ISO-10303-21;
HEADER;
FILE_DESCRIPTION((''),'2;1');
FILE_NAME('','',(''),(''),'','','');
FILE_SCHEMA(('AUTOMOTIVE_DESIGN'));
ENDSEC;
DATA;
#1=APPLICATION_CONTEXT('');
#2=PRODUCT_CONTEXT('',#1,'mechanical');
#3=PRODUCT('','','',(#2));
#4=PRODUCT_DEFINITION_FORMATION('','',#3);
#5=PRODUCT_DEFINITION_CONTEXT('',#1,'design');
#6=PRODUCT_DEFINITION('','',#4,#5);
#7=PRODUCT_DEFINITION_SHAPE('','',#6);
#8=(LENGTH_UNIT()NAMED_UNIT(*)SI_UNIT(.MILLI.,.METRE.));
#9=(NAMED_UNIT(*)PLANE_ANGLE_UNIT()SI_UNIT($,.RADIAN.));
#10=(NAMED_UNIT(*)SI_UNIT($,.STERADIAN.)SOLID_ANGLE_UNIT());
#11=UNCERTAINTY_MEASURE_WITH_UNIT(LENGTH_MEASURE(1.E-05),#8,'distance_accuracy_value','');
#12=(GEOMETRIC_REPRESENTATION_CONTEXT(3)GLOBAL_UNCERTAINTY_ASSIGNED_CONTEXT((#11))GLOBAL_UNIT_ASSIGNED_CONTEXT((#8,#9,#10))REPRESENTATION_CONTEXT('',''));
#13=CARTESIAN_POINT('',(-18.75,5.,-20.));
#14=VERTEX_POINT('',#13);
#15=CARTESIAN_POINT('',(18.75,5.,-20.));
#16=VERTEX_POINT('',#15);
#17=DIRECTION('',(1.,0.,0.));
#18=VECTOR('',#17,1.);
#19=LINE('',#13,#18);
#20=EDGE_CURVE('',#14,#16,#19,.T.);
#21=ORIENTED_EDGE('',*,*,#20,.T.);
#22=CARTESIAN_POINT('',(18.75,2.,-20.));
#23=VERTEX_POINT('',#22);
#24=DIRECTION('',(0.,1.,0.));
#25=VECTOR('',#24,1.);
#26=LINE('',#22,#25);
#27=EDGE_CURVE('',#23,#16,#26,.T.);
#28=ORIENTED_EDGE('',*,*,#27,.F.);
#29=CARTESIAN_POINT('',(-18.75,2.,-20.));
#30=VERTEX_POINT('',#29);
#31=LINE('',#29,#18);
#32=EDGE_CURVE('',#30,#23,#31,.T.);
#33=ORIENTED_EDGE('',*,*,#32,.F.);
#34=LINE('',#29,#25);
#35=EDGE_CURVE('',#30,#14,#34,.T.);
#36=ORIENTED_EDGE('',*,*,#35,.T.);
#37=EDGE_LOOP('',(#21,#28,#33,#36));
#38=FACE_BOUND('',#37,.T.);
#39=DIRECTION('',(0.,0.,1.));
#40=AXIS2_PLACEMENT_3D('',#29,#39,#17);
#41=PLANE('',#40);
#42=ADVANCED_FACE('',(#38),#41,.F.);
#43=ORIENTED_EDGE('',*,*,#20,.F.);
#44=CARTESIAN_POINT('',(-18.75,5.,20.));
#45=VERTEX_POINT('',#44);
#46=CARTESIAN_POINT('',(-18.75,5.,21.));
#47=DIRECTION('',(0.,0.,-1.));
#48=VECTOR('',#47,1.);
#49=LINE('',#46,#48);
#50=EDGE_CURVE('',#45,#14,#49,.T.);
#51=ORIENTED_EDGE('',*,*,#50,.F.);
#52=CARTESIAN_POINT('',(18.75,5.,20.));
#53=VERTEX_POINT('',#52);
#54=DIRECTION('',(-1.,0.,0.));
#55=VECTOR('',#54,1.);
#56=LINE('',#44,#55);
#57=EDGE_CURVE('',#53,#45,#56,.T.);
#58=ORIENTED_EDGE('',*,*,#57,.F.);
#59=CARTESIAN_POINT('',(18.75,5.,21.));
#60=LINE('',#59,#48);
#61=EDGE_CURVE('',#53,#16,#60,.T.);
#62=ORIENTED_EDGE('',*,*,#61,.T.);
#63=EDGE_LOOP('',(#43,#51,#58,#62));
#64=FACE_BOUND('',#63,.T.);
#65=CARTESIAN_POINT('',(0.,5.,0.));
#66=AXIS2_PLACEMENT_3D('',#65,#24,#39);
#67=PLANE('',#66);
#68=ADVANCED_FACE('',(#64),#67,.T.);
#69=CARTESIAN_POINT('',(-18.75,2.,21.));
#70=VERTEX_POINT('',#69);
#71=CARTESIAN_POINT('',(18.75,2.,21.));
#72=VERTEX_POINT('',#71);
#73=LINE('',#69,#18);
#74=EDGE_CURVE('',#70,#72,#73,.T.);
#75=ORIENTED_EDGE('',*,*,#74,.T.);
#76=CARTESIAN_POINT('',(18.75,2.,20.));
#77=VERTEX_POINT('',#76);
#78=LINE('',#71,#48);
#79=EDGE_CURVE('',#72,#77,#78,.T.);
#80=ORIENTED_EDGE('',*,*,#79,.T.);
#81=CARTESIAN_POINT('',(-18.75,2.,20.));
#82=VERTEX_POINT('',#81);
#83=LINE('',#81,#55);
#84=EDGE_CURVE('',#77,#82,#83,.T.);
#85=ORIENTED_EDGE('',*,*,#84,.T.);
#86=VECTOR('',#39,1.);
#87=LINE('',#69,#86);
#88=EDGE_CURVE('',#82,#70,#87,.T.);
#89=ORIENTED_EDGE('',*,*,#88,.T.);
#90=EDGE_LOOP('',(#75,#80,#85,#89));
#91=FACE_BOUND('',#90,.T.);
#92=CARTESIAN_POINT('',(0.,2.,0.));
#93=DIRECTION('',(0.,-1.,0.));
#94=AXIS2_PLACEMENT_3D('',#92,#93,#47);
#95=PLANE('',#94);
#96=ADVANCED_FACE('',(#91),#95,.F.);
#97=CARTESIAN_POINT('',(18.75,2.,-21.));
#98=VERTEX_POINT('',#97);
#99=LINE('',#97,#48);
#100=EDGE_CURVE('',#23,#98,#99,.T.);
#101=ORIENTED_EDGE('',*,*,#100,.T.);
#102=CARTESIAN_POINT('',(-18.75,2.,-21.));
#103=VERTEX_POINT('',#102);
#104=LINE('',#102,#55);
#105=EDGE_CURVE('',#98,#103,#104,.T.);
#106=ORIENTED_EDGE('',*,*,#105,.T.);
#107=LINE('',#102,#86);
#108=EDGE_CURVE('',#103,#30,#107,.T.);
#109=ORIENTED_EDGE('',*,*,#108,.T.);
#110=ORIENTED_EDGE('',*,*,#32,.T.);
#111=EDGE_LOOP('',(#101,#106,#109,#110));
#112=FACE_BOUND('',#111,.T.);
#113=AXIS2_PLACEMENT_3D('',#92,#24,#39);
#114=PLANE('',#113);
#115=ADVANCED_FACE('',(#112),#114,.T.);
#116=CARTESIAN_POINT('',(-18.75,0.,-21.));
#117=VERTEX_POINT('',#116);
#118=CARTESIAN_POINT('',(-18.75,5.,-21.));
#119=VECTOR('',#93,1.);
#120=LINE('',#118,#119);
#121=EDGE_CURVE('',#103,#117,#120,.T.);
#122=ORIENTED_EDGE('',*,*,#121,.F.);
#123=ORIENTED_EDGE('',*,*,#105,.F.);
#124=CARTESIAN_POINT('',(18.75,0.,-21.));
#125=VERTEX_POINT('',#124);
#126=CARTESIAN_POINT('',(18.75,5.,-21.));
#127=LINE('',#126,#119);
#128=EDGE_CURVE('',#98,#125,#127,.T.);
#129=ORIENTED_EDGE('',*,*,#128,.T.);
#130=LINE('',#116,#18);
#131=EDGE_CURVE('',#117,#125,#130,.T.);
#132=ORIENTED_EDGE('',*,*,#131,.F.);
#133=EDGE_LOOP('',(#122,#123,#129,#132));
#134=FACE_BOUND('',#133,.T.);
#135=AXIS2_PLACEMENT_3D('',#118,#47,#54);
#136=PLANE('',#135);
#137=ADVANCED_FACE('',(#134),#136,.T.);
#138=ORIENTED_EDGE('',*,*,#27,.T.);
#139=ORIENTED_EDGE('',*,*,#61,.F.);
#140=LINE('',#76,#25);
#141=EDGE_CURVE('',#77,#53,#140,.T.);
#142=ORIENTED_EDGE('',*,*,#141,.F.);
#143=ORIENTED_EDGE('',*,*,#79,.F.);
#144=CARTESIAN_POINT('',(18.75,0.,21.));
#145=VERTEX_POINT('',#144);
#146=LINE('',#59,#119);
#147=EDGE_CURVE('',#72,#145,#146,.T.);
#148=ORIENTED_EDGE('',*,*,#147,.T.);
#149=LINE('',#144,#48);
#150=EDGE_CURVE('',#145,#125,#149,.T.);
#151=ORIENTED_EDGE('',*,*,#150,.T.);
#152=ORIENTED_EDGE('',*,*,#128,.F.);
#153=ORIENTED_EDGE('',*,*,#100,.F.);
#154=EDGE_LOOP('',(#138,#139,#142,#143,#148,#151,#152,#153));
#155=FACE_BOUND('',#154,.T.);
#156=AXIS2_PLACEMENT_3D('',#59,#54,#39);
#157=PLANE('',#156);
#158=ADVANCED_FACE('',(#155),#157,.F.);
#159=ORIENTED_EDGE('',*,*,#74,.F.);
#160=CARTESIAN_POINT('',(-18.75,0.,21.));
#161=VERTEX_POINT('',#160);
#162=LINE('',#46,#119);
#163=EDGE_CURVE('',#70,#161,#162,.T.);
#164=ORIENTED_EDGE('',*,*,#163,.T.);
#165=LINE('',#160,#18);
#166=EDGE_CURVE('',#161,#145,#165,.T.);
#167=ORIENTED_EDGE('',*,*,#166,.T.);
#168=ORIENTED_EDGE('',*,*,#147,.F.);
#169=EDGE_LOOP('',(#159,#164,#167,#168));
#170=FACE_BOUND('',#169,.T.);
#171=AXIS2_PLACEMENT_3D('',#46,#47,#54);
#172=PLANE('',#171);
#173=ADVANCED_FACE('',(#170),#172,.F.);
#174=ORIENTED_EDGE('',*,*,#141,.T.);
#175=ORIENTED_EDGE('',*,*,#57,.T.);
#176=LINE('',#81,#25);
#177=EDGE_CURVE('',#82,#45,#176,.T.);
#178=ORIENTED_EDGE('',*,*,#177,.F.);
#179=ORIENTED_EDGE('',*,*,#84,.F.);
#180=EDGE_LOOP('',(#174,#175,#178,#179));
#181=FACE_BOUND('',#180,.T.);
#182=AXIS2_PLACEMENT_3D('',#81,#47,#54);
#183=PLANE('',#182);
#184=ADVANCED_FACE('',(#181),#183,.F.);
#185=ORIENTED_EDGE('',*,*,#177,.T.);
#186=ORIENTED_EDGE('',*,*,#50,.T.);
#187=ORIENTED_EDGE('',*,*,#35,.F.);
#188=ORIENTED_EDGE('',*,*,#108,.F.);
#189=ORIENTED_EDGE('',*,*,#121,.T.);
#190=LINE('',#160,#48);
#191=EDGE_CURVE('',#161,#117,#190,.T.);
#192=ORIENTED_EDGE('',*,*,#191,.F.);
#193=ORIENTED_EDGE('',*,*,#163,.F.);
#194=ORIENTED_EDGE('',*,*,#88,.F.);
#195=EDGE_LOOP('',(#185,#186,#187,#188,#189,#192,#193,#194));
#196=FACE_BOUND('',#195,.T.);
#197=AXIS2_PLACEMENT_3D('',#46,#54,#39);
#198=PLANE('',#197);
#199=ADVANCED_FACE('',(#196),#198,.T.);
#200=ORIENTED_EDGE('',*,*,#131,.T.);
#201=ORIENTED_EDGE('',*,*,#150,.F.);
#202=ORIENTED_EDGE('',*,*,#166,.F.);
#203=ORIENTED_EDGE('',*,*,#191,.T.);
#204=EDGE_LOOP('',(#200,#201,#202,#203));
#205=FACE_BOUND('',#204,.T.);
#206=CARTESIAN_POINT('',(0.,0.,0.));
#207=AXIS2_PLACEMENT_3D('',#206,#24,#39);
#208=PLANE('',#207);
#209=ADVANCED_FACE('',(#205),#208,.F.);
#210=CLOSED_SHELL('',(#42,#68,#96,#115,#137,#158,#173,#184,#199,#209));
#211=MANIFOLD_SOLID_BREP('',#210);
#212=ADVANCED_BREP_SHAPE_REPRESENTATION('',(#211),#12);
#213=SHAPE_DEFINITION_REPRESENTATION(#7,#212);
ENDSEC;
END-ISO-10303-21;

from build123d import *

# Parameters (mm, degrees)
SKETCH1_W           = 37.5
SKETCH1_H           = 42
BOSS_EXTRUDE1_DEPTH = 5
SKETCH2_W           = 37.5
SKETCH2_H           = 1
CUT_EXTRUDE1_DEPTH  = 3
SKETCH3_W           = 37.5
SKETCH3_H           = 1
CUT_EXTRUDE2_DEPTH  = 3


with BuildPart() as part:
    # Sketch1 → Boss-Extrude1 (new body)
    with BuildSketch(Plane(origin=(0, 0, 0), x_dir=(1, 0, 0), z_dir=(0, 1, 0))):
        Rectangle(SKETCH1_W, SKETCH1_H)
    extrude(amount=BOSS_EXTRUDE1_DEPTH)

    # Sketch2 → Cut-Extrude1 (cut)
    with BuildSketch(Plane(origin=(0, 5, 0), x_dir=(1, 0, 0), z_dir=(0, 1, 0))):
        with Locations((0, -20.5)):
            Rectangle(SKETCH2_W, SKETCH2_H)
    extrude(amount=-CUT_EXTRUDE1_DEPTH, mode=Mode.SUBTRACT)

    # Sketch3 → Cut-Extrude2 (cut)
    with BuildSketch(Plane(origin=(0, 5, 0), x_dir=(1, 0, 0), z_dir=(0, 1, 0))):
        with Locations((0, 20.5)):
            Rectangle(SKETCH3_W, SKETCH3_H)
    extrude(amount=-CUT_EXTRUDE2_DEPTH, mode=Mode.SUBTRACT)


solid = part.part
